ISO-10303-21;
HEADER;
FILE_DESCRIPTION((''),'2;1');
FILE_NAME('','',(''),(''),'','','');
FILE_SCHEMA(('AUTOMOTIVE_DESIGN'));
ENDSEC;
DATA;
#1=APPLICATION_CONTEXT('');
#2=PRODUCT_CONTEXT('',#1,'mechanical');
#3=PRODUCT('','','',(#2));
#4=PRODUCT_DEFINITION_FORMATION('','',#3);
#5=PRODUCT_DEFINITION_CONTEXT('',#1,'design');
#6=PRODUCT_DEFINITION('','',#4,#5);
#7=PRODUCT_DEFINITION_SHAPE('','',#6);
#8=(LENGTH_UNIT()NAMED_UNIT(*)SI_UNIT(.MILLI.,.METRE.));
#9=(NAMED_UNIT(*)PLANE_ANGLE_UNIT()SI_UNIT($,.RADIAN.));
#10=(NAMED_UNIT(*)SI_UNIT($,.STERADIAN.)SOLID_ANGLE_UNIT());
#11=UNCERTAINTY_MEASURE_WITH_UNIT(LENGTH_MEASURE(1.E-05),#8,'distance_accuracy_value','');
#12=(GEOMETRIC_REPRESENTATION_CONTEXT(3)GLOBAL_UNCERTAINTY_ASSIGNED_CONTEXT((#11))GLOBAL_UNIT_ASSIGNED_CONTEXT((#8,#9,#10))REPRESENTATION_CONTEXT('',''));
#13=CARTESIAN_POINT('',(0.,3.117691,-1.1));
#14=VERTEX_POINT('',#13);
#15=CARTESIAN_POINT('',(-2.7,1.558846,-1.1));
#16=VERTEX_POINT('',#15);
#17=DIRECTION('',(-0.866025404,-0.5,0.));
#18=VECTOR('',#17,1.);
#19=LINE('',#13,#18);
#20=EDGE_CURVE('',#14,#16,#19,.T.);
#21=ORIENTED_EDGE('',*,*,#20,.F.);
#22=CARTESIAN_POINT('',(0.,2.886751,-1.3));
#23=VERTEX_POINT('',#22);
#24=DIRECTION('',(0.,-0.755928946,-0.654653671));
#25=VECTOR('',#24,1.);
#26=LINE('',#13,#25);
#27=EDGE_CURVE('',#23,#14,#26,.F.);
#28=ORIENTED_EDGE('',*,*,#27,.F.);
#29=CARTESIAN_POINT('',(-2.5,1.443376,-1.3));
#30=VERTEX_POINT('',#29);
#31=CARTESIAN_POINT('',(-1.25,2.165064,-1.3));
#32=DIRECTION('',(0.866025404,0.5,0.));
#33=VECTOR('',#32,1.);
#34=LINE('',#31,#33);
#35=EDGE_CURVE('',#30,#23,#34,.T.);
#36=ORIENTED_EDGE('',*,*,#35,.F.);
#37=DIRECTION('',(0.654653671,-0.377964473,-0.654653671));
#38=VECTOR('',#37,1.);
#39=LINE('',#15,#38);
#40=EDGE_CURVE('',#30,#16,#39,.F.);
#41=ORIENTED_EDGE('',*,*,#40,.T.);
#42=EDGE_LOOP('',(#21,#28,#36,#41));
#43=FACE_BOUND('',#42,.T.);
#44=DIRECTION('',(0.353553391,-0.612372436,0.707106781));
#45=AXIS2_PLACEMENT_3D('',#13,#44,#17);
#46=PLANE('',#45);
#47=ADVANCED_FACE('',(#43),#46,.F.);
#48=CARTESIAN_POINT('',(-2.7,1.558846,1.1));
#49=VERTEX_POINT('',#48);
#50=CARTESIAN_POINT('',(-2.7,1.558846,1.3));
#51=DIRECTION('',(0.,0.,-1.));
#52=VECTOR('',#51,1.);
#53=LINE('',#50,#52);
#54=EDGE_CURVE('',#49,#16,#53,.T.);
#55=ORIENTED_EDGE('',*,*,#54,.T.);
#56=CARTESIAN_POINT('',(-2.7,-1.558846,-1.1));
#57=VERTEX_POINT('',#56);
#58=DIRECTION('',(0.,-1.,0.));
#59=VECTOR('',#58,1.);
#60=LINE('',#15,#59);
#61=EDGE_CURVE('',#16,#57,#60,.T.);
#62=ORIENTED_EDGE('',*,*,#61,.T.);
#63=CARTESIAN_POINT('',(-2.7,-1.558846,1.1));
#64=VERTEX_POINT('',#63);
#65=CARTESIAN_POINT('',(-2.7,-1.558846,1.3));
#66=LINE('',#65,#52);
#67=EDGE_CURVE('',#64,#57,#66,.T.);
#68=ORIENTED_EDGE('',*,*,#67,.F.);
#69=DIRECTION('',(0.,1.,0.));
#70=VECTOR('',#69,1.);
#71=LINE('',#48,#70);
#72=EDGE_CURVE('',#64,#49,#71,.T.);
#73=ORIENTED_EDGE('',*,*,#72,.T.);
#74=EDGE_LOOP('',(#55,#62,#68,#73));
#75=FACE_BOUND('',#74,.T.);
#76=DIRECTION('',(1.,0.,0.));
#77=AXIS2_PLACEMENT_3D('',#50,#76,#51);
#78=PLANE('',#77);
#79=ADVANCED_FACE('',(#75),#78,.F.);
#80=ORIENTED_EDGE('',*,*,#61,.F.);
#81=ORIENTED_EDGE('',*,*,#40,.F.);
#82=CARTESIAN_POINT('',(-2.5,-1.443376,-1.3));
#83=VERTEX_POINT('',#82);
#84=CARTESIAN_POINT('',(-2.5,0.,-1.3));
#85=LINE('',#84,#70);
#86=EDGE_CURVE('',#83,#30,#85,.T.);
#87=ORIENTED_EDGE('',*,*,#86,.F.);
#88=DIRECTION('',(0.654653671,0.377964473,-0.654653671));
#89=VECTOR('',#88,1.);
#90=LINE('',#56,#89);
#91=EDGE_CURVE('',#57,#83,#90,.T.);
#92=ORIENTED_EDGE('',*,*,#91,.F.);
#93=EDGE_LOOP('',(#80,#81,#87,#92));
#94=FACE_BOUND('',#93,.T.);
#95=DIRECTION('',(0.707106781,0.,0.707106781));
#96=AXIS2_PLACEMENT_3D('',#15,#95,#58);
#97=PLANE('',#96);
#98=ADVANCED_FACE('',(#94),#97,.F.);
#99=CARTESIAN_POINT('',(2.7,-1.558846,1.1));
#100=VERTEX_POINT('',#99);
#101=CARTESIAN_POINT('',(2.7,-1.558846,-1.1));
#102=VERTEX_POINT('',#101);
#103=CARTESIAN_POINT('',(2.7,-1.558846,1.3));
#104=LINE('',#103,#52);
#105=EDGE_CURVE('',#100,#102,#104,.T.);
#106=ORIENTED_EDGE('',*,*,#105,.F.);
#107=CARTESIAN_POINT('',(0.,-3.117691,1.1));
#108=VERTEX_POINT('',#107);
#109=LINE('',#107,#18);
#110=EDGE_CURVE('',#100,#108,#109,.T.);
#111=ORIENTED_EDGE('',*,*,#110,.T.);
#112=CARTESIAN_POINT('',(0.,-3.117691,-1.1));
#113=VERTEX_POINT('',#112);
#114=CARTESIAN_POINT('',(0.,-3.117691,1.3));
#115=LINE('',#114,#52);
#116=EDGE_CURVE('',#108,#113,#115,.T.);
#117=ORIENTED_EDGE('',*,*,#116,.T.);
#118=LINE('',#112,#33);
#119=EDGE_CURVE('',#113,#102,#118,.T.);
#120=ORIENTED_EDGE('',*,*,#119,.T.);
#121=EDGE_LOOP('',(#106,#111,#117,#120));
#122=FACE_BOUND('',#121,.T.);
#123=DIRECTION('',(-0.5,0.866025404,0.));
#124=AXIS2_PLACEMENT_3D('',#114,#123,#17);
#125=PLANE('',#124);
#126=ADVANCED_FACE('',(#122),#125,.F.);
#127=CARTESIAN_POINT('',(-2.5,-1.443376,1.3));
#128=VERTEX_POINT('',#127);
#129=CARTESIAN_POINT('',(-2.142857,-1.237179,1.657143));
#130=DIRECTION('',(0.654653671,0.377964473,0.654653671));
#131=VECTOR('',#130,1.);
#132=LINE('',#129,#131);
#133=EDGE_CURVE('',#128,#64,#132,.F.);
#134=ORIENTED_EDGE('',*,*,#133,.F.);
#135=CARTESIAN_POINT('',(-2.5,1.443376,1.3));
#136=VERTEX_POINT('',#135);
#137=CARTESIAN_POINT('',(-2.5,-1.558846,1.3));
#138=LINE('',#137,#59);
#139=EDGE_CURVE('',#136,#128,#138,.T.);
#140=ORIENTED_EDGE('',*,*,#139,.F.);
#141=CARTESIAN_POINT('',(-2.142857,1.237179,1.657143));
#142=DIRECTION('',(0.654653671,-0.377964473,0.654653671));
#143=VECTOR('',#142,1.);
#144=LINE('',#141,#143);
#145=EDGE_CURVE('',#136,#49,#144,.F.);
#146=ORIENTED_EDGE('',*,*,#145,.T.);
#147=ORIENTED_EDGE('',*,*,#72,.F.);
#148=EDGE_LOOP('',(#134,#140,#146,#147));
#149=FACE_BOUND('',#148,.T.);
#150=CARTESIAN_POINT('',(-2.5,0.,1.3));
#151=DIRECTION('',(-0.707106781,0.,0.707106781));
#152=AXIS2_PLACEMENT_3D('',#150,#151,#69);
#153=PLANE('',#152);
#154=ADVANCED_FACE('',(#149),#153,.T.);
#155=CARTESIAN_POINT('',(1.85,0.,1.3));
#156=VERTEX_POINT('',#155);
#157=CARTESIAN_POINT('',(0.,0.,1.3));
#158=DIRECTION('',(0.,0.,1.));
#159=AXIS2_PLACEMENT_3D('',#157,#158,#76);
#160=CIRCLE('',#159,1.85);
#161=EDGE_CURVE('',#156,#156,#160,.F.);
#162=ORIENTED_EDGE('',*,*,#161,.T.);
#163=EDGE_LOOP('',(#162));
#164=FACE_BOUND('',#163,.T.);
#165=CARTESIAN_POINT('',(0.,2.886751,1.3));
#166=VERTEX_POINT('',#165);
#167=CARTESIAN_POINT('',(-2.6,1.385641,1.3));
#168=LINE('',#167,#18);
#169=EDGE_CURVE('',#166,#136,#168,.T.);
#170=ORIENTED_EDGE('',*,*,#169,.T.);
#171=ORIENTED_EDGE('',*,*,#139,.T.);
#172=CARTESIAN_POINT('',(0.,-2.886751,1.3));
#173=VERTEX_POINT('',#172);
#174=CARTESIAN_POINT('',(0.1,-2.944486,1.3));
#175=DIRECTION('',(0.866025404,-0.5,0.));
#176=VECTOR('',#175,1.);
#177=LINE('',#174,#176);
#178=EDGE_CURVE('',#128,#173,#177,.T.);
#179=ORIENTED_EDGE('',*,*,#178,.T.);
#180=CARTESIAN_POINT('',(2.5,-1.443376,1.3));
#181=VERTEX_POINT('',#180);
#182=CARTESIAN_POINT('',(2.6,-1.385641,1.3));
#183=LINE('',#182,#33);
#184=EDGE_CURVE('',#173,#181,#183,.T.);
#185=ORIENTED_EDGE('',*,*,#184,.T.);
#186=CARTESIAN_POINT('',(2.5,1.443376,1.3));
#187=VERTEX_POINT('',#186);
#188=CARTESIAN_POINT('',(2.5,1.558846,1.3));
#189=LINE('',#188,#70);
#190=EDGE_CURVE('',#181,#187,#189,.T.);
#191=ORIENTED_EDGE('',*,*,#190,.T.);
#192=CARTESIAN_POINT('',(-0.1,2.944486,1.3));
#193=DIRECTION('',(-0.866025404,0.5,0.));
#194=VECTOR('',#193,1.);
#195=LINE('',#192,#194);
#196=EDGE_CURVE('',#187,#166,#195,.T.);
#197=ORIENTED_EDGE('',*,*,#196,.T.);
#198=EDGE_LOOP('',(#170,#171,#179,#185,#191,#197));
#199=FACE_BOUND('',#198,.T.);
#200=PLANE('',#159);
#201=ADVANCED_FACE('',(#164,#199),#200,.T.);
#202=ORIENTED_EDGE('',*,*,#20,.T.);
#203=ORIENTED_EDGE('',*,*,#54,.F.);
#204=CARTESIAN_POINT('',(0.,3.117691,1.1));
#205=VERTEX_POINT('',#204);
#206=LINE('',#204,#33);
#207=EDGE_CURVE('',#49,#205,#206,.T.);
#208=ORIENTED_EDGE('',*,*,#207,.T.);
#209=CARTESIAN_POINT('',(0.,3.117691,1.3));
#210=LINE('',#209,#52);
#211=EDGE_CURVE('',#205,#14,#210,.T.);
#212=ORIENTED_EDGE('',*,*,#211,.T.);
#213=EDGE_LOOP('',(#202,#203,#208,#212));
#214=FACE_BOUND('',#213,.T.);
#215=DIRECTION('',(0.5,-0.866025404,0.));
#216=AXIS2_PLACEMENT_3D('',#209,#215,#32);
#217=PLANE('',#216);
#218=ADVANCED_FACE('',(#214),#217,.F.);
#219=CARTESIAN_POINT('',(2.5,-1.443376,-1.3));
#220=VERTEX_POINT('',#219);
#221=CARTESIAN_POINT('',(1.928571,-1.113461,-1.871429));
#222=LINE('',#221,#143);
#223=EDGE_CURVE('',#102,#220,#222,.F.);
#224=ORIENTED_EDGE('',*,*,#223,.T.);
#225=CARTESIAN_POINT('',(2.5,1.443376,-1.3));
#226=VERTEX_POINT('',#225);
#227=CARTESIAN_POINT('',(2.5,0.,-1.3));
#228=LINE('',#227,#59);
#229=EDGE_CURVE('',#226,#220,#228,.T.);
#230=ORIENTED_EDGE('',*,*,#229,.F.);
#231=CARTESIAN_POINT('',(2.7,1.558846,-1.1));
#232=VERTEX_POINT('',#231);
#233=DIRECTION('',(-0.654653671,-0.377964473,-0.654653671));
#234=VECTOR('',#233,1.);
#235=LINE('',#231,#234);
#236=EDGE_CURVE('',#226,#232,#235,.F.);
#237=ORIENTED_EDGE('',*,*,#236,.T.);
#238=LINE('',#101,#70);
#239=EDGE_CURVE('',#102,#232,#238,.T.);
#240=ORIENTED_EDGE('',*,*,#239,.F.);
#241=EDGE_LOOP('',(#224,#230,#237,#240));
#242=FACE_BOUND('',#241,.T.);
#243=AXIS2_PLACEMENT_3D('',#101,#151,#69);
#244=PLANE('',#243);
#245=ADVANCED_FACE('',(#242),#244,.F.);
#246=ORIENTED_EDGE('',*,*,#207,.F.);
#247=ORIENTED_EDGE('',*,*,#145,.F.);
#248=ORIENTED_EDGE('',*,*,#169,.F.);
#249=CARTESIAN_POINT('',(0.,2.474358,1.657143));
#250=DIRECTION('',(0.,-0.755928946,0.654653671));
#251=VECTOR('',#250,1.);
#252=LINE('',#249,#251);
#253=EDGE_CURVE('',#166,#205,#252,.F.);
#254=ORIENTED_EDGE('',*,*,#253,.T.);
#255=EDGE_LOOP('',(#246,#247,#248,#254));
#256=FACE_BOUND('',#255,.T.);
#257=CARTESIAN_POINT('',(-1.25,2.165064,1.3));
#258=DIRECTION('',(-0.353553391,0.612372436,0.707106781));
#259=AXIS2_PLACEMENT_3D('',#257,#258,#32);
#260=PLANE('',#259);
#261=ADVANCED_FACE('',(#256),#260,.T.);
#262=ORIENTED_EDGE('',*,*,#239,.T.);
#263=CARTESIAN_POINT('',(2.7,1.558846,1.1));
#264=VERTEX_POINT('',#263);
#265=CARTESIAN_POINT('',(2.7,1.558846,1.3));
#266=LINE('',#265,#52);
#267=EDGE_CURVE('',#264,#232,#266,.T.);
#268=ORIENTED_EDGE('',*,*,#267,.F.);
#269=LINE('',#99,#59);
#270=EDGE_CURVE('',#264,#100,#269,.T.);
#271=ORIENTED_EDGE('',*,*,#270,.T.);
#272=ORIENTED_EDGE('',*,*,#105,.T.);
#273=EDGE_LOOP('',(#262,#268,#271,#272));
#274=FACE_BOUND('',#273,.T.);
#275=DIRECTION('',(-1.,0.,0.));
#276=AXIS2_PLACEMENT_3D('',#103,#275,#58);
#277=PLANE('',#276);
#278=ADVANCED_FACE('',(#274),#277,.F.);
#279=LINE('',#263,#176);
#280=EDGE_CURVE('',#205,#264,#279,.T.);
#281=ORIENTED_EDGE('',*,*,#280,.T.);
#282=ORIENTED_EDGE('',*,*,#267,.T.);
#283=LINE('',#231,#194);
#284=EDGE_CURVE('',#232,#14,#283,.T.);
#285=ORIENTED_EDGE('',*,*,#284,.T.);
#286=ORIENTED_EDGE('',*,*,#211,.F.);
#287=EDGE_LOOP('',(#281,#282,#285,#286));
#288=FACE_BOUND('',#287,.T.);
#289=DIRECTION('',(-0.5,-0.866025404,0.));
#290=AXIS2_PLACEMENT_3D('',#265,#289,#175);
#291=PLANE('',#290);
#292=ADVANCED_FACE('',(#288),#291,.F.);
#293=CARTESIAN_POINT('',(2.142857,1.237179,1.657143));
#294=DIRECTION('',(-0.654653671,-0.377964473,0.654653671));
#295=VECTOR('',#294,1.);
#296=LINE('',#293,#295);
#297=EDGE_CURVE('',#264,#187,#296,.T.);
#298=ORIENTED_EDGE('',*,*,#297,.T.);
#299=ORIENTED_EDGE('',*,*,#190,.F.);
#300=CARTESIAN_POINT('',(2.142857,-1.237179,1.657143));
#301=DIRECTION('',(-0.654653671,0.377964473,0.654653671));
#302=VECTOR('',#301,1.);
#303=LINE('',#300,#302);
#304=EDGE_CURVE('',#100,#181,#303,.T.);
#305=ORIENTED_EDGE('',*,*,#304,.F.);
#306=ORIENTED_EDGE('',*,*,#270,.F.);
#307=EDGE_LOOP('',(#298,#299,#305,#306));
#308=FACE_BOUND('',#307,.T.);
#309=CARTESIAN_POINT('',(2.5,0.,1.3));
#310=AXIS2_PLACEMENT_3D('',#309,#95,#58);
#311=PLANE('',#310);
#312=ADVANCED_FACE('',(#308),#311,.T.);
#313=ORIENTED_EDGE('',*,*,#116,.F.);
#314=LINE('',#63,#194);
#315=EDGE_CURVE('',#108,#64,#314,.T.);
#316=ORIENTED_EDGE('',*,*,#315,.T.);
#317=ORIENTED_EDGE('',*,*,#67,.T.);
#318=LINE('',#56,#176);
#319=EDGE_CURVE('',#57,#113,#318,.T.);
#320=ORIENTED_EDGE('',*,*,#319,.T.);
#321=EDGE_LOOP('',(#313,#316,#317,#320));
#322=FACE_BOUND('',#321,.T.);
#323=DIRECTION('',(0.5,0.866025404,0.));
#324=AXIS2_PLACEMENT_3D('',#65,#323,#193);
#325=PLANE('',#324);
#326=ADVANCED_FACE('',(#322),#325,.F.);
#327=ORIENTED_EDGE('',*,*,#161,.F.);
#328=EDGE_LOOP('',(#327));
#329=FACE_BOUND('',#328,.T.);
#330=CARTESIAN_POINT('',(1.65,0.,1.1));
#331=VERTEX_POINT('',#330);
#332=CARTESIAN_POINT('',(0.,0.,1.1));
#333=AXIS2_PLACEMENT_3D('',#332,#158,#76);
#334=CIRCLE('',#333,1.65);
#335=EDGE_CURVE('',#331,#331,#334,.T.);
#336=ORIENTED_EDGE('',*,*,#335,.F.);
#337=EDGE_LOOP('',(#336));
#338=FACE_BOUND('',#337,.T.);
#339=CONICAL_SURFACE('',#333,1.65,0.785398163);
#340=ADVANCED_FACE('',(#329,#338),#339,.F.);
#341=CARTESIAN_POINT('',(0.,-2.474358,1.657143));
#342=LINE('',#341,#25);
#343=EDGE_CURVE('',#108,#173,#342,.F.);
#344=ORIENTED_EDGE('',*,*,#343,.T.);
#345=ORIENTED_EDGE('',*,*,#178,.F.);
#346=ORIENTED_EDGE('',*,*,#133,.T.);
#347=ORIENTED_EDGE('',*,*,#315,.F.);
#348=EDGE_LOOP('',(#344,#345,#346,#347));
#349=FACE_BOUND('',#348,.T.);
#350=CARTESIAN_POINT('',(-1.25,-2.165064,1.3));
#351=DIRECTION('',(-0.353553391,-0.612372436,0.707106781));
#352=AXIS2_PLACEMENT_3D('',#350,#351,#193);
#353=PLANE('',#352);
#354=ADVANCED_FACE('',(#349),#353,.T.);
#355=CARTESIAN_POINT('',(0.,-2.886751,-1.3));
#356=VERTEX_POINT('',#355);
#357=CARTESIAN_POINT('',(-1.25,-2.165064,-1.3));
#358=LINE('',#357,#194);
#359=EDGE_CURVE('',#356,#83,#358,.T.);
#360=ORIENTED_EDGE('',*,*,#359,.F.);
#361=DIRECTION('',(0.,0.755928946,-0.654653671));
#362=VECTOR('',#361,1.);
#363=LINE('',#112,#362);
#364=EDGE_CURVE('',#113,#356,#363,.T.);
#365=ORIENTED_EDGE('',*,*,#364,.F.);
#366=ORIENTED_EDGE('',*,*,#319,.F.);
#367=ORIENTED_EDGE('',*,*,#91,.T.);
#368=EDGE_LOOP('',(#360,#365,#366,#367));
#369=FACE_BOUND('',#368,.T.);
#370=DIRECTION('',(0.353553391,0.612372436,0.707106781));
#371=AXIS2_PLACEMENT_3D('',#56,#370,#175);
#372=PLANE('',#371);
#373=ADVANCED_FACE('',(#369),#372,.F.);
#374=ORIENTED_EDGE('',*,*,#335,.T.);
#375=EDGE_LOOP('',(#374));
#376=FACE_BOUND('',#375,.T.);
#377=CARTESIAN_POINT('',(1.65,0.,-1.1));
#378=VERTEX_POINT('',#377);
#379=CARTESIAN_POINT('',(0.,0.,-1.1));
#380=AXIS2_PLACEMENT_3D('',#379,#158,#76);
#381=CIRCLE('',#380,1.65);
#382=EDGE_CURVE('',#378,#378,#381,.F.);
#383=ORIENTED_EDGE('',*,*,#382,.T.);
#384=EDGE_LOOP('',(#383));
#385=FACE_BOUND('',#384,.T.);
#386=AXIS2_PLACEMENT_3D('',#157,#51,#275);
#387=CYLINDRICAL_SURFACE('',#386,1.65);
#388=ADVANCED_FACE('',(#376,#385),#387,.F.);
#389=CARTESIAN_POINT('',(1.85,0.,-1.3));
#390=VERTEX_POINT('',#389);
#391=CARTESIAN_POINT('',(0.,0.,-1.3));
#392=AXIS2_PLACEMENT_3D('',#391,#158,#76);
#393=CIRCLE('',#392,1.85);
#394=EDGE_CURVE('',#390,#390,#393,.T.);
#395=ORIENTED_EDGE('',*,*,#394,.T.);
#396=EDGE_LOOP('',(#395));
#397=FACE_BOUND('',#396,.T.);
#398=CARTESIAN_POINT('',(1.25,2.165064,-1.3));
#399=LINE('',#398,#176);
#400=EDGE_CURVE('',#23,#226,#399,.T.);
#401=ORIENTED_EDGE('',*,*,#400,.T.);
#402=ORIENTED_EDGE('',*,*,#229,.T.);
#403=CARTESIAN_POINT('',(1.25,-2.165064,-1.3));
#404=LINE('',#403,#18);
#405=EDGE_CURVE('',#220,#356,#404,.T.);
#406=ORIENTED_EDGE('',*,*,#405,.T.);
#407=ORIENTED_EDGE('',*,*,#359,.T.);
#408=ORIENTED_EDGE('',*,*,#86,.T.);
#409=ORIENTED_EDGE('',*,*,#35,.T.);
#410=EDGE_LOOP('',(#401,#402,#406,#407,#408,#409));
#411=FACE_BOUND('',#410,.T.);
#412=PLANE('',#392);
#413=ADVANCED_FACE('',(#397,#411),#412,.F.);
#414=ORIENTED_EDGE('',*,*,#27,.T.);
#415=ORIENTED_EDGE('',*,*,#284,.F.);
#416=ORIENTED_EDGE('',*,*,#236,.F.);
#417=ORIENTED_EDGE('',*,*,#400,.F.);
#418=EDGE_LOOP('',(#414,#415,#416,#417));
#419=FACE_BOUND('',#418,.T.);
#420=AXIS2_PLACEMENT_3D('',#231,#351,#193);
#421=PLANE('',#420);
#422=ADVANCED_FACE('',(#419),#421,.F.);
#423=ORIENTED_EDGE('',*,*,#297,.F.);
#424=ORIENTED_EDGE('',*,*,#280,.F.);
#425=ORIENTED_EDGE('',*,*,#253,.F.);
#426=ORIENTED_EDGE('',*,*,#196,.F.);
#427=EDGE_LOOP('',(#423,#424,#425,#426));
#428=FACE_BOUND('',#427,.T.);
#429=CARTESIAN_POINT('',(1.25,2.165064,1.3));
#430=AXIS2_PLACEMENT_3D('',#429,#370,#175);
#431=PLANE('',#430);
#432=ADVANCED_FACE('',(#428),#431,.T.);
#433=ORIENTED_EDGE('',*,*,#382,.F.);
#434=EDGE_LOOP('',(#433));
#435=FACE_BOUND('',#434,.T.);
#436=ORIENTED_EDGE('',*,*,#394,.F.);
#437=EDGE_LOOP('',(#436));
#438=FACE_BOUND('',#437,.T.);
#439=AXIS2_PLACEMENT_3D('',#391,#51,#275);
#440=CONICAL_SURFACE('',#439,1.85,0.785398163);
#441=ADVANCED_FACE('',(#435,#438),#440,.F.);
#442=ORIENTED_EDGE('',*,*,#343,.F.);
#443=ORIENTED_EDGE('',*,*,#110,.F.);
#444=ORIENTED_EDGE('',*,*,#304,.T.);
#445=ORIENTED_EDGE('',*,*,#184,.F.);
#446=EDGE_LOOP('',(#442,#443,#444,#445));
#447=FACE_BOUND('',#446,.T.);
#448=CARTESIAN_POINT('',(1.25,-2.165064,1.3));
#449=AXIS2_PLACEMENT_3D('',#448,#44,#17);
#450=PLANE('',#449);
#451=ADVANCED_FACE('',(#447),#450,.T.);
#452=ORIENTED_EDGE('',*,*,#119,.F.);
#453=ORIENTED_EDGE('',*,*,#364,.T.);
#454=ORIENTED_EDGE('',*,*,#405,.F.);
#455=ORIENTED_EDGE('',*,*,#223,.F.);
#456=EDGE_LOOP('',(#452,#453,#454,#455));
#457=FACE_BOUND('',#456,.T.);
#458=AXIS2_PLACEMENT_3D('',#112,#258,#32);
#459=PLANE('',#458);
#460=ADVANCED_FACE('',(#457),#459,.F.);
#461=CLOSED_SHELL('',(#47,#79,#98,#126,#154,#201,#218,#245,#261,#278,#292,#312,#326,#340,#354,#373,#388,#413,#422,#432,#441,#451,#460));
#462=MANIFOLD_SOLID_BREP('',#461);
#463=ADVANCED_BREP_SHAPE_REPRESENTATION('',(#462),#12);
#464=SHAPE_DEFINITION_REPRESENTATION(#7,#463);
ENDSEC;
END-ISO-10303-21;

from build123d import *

# Parameters (mm, degrees)
SKETCH1_R           = 1.65
BOSS_EXTRUDE1_DEPTH = 1.3
DEBURS_SIZE         = 0.2


with BuildPart() as part:
    # Sketch1 → Boss-Extrude1 (new, symmetric)
    with BuildSketch(Plane.XY):
        Polygon((2.7, -1.558845727), (2.7, 1.558845727), (0, 3.117691454), (-2.7, 1.558845727), (-2.7, -1.558845727), (0, -3.117691454), align=None)
        Circle(SKETCH1_R, mode=Mode.SUBTRACT)
    extrude(amount=BOSS_EXTRUDE1_DEPTH, both=True)

    # Deburs
    deburs_edges = [part.edges().sort_by_distance(p)[0] for p in [
        (1.35, 2.33826859, 1.3),
        (-1.35, 2.33826859, 1.3),
        (-1.65, 0, -1.3),
        (-1.65, 0, 1.3),
        (-2.7, 0, 1.3),
        (-1.35, -2.33826859, 1.3),
        (1.35, -2.33826859, 1.3),
        (-1.35, -2.33826859, -1.3),
        (-2.7, 0, -1.3),
        (-1.35, 2.33826859, -1.3),
        (1.35, 2.33826859, -1.3),
        (2.7, 0, -1.3),
        (1.35, -2.33826859, -1.3),
        (2.7, 0, 1.3),
    ]]
    chamfer(deburs_edges, length=DEBURS_SIZE)


solid = part.part
